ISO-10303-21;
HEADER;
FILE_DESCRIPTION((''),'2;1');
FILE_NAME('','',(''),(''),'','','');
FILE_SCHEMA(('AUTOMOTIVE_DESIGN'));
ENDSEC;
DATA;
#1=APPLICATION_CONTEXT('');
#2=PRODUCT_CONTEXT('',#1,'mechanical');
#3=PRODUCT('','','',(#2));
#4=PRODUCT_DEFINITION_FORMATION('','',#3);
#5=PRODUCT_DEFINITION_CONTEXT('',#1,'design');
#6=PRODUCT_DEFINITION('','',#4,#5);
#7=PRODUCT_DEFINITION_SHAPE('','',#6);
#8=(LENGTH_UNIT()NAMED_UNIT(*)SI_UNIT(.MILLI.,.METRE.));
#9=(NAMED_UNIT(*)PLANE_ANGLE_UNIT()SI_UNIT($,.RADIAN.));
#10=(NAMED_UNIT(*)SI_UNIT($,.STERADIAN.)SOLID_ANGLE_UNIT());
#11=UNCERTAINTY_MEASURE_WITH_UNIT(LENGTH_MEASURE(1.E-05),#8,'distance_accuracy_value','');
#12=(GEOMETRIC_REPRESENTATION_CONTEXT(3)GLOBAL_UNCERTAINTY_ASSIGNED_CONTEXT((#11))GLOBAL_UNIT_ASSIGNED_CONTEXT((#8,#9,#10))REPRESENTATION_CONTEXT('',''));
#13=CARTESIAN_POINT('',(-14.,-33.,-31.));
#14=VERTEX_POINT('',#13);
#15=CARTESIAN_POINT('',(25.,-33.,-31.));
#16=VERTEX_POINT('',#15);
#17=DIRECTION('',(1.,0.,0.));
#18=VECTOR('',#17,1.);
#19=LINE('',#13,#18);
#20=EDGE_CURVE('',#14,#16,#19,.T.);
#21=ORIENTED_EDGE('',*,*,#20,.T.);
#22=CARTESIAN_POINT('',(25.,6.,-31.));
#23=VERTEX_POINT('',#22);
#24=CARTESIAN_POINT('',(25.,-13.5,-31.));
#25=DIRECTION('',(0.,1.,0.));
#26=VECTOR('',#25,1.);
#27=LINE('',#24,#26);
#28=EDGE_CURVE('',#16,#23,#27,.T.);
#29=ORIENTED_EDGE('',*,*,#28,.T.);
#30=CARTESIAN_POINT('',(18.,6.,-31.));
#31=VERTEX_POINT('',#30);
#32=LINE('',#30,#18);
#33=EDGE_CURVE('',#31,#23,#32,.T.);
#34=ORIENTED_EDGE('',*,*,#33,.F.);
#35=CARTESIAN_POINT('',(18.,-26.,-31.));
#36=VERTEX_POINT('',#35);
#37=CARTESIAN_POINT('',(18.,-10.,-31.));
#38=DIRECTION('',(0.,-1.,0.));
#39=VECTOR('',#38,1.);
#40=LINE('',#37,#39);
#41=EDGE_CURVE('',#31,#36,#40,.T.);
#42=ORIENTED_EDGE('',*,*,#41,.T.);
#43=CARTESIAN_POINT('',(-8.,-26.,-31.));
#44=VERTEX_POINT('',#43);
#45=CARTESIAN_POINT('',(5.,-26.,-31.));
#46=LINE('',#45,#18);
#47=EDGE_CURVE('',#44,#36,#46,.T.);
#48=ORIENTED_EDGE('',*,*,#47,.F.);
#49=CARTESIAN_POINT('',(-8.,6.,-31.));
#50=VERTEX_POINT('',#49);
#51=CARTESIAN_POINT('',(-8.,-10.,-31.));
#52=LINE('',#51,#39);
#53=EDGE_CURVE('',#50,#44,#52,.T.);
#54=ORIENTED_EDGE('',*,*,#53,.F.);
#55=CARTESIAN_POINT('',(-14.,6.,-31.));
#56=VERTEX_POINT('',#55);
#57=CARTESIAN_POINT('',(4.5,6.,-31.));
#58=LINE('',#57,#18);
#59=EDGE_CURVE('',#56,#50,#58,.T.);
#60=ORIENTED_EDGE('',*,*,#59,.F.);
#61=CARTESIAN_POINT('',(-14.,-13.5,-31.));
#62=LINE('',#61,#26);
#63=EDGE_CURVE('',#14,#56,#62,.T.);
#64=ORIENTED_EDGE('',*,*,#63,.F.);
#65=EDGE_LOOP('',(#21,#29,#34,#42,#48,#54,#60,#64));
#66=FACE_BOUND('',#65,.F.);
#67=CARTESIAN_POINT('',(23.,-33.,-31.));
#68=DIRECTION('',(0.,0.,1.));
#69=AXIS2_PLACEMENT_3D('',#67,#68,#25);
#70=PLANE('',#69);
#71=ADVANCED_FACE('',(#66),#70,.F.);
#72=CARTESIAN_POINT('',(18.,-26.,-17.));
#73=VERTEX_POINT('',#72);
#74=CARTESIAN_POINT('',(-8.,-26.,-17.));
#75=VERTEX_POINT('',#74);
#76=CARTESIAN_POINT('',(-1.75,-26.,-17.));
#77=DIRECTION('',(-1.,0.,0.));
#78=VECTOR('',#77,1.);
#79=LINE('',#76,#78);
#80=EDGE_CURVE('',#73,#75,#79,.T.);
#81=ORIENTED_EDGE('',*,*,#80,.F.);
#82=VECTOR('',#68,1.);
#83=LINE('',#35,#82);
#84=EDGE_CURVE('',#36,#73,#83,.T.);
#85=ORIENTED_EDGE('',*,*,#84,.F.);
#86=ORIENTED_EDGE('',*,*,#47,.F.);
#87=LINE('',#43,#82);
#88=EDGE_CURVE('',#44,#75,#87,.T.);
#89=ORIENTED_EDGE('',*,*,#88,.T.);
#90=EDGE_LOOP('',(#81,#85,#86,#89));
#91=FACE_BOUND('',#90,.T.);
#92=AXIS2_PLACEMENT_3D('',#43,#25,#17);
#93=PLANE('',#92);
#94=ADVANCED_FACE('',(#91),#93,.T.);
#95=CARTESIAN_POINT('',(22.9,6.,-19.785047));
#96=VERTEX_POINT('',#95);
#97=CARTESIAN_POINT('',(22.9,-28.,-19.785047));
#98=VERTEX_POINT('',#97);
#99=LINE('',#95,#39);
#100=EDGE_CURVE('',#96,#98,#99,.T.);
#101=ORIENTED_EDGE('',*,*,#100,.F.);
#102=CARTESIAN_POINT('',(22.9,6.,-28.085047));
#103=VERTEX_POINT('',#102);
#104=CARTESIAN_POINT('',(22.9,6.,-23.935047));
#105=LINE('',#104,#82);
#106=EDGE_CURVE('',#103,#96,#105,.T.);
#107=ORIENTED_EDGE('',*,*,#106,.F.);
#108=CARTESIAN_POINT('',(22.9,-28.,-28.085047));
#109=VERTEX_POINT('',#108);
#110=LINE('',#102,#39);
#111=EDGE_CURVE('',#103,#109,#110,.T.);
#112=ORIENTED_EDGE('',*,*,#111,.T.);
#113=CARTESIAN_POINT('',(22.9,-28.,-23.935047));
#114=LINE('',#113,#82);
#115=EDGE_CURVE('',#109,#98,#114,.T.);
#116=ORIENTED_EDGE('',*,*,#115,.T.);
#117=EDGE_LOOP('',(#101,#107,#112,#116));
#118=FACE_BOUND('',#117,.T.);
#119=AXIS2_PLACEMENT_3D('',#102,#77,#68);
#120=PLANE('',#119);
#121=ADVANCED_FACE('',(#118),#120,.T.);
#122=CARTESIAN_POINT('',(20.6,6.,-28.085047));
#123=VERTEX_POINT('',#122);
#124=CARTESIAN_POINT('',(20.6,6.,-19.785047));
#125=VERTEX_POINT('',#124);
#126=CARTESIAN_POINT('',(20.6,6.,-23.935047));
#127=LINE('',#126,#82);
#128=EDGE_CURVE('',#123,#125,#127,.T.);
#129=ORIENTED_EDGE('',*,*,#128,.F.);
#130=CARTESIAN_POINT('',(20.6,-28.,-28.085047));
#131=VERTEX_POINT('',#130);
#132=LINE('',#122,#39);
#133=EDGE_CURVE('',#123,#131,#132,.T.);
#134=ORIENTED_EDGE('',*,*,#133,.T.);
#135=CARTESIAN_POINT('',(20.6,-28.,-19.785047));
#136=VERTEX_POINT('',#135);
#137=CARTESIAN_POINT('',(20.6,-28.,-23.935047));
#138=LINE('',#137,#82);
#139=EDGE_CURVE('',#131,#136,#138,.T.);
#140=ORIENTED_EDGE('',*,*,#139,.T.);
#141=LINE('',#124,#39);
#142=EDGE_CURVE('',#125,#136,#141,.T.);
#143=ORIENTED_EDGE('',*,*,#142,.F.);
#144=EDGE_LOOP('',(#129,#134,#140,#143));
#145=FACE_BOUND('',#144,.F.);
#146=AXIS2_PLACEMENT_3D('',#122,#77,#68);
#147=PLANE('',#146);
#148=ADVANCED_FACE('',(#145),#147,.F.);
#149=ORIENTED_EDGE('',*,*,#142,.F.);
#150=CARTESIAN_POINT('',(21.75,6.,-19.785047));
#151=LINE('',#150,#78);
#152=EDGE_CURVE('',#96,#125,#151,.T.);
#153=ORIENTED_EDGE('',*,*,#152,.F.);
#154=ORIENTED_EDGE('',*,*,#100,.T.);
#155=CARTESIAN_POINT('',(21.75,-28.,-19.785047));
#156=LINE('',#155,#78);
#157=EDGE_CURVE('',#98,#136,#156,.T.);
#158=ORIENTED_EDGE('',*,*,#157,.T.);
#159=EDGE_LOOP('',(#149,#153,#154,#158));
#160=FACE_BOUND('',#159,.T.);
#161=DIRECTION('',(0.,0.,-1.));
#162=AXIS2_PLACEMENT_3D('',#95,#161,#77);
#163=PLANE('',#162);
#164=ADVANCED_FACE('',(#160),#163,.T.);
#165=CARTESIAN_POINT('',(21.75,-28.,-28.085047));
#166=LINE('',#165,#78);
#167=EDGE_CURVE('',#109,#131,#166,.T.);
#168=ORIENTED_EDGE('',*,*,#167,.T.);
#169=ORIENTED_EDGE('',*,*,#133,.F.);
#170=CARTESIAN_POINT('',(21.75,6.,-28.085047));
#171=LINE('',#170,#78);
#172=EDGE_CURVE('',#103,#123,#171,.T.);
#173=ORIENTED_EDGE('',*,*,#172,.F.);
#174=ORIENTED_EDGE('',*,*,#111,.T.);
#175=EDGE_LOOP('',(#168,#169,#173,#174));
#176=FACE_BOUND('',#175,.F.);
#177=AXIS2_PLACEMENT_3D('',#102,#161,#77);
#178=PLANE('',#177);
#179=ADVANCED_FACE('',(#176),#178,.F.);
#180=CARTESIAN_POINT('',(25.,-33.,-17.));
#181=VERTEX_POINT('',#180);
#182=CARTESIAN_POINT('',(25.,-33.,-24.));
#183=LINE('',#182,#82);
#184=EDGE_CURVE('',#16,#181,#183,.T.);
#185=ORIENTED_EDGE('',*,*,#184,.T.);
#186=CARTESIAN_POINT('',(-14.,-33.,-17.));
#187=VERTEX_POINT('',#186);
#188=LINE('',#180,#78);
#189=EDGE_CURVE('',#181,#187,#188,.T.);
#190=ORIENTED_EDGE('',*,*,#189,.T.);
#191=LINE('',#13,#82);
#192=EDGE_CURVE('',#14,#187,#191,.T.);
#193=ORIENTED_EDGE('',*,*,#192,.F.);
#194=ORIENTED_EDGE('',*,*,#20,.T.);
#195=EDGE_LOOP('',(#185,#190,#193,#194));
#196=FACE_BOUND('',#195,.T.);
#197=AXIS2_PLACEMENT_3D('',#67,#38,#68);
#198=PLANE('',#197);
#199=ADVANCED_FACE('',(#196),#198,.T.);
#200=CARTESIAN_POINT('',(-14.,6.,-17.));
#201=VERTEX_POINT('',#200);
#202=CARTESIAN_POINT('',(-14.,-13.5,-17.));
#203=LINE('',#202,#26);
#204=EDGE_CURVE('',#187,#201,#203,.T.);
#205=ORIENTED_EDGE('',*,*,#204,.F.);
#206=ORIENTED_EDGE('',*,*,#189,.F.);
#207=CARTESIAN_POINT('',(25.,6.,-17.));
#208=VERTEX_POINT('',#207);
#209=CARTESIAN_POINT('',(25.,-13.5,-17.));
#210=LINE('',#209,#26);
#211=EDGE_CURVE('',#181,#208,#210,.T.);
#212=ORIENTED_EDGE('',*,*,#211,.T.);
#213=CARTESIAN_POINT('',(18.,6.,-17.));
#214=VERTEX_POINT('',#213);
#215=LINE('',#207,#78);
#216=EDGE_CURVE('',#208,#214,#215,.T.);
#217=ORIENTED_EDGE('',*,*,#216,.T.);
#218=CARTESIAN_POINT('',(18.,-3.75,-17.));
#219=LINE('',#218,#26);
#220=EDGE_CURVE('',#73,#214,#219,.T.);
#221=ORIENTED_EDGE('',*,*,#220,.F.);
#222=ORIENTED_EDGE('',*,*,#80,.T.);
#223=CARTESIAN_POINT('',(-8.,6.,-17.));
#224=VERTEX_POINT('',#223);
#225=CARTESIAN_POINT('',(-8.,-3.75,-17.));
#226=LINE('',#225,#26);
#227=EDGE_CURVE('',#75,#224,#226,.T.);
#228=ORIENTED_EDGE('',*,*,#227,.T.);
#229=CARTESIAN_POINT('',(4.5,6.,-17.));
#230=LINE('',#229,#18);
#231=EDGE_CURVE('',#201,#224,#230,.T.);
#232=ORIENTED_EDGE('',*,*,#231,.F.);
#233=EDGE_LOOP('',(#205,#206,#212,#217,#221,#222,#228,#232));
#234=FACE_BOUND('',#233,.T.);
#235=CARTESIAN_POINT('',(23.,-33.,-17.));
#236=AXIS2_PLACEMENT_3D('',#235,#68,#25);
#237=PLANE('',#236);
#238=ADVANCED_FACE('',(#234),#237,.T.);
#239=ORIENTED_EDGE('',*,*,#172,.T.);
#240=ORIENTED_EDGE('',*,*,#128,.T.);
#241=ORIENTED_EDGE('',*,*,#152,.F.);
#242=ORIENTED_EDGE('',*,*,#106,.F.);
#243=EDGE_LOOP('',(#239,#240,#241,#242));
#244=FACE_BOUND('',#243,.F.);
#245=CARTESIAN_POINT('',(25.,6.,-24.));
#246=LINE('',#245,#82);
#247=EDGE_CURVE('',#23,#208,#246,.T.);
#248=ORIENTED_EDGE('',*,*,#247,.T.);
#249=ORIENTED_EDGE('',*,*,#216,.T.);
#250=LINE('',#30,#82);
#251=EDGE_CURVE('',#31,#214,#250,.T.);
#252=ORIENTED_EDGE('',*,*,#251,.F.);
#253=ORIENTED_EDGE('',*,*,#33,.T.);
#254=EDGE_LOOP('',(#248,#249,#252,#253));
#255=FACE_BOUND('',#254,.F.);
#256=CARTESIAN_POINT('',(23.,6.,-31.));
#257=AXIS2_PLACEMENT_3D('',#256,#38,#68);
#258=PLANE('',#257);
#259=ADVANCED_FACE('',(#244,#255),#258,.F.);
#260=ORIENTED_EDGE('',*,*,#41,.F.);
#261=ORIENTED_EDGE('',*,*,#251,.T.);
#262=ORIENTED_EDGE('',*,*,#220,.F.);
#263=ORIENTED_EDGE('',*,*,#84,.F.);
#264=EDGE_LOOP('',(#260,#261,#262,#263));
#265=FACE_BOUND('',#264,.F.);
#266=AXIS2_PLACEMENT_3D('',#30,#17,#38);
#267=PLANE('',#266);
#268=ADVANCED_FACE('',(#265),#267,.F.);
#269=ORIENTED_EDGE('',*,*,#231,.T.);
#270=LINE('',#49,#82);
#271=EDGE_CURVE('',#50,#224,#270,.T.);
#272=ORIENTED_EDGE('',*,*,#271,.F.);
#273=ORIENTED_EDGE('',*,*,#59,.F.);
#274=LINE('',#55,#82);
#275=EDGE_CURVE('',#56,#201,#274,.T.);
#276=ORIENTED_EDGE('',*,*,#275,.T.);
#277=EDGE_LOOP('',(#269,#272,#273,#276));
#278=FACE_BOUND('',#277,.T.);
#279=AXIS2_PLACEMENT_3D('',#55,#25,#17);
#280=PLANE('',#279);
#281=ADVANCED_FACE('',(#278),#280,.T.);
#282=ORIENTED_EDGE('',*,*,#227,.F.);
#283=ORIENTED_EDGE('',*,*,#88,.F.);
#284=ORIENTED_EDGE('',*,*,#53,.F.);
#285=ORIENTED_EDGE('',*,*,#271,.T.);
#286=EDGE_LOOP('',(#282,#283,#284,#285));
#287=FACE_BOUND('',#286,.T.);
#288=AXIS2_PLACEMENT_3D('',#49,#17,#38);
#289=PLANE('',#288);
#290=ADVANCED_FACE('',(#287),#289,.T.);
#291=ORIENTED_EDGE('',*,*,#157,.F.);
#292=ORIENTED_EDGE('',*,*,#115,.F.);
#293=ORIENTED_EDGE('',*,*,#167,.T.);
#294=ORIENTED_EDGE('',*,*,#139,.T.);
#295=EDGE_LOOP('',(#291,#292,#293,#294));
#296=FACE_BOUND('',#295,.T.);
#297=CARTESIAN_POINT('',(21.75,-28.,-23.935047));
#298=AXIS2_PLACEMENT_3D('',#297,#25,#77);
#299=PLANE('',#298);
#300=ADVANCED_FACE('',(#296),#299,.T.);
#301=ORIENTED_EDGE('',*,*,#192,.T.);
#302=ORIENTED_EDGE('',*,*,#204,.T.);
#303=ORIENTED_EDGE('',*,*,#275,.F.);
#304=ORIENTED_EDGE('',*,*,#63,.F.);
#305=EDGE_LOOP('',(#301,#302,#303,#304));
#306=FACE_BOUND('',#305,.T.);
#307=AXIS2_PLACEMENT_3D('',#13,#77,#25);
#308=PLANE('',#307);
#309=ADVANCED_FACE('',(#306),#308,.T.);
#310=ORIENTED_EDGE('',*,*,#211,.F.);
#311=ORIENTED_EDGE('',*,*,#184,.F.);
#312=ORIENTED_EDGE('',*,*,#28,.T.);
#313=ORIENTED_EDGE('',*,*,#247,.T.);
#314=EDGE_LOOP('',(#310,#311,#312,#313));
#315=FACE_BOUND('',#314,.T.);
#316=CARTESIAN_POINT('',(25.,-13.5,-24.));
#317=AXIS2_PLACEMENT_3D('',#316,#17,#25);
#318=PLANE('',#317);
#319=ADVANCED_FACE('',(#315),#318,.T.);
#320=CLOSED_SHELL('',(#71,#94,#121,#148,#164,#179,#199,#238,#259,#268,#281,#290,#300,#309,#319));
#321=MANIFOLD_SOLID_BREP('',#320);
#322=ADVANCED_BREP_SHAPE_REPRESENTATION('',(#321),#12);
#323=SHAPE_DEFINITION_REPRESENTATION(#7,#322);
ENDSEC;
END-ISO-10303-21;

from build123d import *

# Parameters (mm, degrees)
BOX_W           = 37
BOX_H           = 39
BOX_DEPTH       = 14
SKETCH_W        = 26
SKETCH_H        = 32
POCKET_DEPTH    = 15
SKETCH001_W     = 2.3
SKETCH001_H     = 8.3
POCKET001_DEPTH = 34
SKETCH002_W     = 39
SKETCH002_H     = 14
PAD001_DEPTH    = 2


with BuildPart() as part:
    # Box → Box (new body)
    with BuildSketch(Plane(origin=(-14, -33, -31), x_dir=(1, 0, 0), z_dir=(0, 0, 1))):
        with Locations((18.5, 19.5)):
            Rectangle(BOX_W, BOX_H)
    extrude(amount=BOX_DEPTH)

    # Sketch → Pocket (cut)
    with BuildSketch(Plane(origin=(-14, -33, -31), x_dir=(1, 0, 0), z_dir=(0, 0, -1))):
        with Locations((19, -23)):
            Rectangle(SKETCH_W, SKETCH_H)
    extrude(amount=-POCKET_DEPTH, mode=Mode.SUBTRACT)

    # Sketch001 → Pocket001 (cut)
    with BuildSketch(Plane(origin=(-14, 6, -31), x_dir=(-1, 0, 0), z_dir=(0, 1, 0))):
        with Locations((-35.75, 7.064953)):
            Rectangle(SKETCH001_W, SKETCH001_H)
    extrude(amount=-POCKET001_DEPTH, mode=Mode.SUBTRACT)

    # Sketch002 → Pad001 (new body)
    with BuildSketch(Plane(origin=(23, -33, -31), x_dir=(0, 1, 0), z_dir=(1, 0, 0))):
        with Locations((19.5, 7)):
            Rectangle(SKETCH002_W, SKETCH002_H)
    extrude(amount=PAD001_DEPTH)


solid = part.part
